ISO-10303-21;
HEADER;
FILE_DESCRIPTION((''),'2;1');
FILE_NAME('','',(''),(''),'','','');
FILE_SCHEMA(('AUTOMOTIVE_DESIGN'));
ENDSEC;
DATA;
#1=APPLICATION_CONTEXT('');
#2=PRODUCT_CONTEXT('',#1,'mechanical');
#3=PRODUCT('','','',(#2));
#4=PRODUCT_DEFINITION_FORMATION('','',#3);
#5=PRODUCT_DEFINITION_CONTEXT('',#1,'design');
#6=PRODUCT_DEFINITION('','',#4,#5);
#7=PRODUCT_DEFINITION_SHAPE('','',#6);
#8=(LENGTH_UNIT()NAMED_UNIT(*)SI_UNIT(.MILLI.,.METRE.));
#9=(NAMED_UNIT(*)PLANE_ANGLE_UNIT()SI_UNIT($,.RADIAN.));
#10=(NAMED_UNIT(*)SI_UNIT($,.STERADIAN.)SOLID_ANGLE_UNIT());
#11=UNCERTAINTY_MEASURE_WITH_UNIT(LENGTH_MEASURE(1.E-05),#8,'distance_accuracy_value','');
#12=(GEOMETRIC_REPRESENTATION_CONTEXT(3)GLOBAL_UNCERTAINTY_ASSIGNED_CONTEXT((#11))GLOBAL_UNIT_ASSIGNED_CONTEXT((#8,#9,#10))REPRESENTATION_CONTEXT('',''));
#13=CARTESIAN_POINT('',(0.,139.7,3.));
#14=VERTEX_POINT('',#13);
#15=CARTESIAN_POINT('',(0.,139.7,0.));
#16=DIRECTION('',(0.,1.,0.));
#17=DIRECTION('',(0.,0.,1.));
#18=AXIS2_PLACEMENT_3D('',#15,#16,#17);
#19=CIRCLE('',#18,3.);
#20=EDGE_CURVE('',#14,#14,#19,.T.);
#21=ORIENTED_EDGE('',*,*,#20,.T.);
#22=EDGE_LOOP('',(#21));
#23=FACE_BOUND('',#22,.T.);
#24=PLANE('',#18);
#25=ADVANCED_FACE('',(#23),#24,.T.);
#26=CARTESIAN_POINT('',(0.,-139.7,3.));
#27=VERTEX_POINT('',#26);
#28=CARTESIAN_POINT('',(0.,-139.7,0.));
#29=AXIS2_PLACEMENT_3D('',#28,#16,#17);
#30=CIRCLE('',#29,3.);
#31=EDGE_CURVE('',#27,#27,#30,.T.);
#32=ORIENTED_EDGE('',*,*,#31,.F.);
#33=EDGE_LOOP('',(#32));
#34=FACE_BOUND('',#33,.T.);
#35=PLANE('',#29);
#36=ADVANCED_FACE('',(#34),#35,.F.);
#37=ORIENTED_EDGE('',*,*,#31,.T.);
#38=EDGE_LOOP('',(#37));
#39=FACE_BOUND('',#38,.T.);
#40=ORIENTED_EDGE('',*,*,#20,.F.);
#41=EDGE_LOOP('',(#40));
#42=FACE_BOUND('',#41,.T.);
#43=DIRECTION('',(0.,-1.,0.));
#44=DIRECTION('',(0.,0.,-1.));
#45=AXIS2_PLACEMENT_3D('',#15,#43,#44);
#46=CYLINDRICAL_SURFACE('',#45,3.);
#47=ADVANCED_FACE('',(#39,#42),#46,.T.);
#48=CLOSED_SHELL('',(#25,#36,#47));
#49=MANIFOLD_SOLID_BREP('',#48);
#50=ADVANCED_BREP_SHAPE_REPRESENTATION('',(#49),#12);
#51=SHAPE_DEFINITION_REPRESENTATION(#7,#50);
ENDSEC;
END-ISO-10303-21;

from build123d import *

# Parameters (mm, degrees)
SKETCH1_R           = 3
BOSS_EXTRUDE1_DEPTH = 139.7


with BuildPart() as part:
    # Sketch1 → Boss-Extrude1 (new body, symmetric)
    with BuildSketch(Plane(origin=(0, 0, 0), x_dir=(1, 0, 0), z_dir=(0, 1, 0))):
        Circle(SKETCH1_R)
    extrude(amount=BOSS_EXTRUDE1_DEPTH, both=True)


solid = part.part
